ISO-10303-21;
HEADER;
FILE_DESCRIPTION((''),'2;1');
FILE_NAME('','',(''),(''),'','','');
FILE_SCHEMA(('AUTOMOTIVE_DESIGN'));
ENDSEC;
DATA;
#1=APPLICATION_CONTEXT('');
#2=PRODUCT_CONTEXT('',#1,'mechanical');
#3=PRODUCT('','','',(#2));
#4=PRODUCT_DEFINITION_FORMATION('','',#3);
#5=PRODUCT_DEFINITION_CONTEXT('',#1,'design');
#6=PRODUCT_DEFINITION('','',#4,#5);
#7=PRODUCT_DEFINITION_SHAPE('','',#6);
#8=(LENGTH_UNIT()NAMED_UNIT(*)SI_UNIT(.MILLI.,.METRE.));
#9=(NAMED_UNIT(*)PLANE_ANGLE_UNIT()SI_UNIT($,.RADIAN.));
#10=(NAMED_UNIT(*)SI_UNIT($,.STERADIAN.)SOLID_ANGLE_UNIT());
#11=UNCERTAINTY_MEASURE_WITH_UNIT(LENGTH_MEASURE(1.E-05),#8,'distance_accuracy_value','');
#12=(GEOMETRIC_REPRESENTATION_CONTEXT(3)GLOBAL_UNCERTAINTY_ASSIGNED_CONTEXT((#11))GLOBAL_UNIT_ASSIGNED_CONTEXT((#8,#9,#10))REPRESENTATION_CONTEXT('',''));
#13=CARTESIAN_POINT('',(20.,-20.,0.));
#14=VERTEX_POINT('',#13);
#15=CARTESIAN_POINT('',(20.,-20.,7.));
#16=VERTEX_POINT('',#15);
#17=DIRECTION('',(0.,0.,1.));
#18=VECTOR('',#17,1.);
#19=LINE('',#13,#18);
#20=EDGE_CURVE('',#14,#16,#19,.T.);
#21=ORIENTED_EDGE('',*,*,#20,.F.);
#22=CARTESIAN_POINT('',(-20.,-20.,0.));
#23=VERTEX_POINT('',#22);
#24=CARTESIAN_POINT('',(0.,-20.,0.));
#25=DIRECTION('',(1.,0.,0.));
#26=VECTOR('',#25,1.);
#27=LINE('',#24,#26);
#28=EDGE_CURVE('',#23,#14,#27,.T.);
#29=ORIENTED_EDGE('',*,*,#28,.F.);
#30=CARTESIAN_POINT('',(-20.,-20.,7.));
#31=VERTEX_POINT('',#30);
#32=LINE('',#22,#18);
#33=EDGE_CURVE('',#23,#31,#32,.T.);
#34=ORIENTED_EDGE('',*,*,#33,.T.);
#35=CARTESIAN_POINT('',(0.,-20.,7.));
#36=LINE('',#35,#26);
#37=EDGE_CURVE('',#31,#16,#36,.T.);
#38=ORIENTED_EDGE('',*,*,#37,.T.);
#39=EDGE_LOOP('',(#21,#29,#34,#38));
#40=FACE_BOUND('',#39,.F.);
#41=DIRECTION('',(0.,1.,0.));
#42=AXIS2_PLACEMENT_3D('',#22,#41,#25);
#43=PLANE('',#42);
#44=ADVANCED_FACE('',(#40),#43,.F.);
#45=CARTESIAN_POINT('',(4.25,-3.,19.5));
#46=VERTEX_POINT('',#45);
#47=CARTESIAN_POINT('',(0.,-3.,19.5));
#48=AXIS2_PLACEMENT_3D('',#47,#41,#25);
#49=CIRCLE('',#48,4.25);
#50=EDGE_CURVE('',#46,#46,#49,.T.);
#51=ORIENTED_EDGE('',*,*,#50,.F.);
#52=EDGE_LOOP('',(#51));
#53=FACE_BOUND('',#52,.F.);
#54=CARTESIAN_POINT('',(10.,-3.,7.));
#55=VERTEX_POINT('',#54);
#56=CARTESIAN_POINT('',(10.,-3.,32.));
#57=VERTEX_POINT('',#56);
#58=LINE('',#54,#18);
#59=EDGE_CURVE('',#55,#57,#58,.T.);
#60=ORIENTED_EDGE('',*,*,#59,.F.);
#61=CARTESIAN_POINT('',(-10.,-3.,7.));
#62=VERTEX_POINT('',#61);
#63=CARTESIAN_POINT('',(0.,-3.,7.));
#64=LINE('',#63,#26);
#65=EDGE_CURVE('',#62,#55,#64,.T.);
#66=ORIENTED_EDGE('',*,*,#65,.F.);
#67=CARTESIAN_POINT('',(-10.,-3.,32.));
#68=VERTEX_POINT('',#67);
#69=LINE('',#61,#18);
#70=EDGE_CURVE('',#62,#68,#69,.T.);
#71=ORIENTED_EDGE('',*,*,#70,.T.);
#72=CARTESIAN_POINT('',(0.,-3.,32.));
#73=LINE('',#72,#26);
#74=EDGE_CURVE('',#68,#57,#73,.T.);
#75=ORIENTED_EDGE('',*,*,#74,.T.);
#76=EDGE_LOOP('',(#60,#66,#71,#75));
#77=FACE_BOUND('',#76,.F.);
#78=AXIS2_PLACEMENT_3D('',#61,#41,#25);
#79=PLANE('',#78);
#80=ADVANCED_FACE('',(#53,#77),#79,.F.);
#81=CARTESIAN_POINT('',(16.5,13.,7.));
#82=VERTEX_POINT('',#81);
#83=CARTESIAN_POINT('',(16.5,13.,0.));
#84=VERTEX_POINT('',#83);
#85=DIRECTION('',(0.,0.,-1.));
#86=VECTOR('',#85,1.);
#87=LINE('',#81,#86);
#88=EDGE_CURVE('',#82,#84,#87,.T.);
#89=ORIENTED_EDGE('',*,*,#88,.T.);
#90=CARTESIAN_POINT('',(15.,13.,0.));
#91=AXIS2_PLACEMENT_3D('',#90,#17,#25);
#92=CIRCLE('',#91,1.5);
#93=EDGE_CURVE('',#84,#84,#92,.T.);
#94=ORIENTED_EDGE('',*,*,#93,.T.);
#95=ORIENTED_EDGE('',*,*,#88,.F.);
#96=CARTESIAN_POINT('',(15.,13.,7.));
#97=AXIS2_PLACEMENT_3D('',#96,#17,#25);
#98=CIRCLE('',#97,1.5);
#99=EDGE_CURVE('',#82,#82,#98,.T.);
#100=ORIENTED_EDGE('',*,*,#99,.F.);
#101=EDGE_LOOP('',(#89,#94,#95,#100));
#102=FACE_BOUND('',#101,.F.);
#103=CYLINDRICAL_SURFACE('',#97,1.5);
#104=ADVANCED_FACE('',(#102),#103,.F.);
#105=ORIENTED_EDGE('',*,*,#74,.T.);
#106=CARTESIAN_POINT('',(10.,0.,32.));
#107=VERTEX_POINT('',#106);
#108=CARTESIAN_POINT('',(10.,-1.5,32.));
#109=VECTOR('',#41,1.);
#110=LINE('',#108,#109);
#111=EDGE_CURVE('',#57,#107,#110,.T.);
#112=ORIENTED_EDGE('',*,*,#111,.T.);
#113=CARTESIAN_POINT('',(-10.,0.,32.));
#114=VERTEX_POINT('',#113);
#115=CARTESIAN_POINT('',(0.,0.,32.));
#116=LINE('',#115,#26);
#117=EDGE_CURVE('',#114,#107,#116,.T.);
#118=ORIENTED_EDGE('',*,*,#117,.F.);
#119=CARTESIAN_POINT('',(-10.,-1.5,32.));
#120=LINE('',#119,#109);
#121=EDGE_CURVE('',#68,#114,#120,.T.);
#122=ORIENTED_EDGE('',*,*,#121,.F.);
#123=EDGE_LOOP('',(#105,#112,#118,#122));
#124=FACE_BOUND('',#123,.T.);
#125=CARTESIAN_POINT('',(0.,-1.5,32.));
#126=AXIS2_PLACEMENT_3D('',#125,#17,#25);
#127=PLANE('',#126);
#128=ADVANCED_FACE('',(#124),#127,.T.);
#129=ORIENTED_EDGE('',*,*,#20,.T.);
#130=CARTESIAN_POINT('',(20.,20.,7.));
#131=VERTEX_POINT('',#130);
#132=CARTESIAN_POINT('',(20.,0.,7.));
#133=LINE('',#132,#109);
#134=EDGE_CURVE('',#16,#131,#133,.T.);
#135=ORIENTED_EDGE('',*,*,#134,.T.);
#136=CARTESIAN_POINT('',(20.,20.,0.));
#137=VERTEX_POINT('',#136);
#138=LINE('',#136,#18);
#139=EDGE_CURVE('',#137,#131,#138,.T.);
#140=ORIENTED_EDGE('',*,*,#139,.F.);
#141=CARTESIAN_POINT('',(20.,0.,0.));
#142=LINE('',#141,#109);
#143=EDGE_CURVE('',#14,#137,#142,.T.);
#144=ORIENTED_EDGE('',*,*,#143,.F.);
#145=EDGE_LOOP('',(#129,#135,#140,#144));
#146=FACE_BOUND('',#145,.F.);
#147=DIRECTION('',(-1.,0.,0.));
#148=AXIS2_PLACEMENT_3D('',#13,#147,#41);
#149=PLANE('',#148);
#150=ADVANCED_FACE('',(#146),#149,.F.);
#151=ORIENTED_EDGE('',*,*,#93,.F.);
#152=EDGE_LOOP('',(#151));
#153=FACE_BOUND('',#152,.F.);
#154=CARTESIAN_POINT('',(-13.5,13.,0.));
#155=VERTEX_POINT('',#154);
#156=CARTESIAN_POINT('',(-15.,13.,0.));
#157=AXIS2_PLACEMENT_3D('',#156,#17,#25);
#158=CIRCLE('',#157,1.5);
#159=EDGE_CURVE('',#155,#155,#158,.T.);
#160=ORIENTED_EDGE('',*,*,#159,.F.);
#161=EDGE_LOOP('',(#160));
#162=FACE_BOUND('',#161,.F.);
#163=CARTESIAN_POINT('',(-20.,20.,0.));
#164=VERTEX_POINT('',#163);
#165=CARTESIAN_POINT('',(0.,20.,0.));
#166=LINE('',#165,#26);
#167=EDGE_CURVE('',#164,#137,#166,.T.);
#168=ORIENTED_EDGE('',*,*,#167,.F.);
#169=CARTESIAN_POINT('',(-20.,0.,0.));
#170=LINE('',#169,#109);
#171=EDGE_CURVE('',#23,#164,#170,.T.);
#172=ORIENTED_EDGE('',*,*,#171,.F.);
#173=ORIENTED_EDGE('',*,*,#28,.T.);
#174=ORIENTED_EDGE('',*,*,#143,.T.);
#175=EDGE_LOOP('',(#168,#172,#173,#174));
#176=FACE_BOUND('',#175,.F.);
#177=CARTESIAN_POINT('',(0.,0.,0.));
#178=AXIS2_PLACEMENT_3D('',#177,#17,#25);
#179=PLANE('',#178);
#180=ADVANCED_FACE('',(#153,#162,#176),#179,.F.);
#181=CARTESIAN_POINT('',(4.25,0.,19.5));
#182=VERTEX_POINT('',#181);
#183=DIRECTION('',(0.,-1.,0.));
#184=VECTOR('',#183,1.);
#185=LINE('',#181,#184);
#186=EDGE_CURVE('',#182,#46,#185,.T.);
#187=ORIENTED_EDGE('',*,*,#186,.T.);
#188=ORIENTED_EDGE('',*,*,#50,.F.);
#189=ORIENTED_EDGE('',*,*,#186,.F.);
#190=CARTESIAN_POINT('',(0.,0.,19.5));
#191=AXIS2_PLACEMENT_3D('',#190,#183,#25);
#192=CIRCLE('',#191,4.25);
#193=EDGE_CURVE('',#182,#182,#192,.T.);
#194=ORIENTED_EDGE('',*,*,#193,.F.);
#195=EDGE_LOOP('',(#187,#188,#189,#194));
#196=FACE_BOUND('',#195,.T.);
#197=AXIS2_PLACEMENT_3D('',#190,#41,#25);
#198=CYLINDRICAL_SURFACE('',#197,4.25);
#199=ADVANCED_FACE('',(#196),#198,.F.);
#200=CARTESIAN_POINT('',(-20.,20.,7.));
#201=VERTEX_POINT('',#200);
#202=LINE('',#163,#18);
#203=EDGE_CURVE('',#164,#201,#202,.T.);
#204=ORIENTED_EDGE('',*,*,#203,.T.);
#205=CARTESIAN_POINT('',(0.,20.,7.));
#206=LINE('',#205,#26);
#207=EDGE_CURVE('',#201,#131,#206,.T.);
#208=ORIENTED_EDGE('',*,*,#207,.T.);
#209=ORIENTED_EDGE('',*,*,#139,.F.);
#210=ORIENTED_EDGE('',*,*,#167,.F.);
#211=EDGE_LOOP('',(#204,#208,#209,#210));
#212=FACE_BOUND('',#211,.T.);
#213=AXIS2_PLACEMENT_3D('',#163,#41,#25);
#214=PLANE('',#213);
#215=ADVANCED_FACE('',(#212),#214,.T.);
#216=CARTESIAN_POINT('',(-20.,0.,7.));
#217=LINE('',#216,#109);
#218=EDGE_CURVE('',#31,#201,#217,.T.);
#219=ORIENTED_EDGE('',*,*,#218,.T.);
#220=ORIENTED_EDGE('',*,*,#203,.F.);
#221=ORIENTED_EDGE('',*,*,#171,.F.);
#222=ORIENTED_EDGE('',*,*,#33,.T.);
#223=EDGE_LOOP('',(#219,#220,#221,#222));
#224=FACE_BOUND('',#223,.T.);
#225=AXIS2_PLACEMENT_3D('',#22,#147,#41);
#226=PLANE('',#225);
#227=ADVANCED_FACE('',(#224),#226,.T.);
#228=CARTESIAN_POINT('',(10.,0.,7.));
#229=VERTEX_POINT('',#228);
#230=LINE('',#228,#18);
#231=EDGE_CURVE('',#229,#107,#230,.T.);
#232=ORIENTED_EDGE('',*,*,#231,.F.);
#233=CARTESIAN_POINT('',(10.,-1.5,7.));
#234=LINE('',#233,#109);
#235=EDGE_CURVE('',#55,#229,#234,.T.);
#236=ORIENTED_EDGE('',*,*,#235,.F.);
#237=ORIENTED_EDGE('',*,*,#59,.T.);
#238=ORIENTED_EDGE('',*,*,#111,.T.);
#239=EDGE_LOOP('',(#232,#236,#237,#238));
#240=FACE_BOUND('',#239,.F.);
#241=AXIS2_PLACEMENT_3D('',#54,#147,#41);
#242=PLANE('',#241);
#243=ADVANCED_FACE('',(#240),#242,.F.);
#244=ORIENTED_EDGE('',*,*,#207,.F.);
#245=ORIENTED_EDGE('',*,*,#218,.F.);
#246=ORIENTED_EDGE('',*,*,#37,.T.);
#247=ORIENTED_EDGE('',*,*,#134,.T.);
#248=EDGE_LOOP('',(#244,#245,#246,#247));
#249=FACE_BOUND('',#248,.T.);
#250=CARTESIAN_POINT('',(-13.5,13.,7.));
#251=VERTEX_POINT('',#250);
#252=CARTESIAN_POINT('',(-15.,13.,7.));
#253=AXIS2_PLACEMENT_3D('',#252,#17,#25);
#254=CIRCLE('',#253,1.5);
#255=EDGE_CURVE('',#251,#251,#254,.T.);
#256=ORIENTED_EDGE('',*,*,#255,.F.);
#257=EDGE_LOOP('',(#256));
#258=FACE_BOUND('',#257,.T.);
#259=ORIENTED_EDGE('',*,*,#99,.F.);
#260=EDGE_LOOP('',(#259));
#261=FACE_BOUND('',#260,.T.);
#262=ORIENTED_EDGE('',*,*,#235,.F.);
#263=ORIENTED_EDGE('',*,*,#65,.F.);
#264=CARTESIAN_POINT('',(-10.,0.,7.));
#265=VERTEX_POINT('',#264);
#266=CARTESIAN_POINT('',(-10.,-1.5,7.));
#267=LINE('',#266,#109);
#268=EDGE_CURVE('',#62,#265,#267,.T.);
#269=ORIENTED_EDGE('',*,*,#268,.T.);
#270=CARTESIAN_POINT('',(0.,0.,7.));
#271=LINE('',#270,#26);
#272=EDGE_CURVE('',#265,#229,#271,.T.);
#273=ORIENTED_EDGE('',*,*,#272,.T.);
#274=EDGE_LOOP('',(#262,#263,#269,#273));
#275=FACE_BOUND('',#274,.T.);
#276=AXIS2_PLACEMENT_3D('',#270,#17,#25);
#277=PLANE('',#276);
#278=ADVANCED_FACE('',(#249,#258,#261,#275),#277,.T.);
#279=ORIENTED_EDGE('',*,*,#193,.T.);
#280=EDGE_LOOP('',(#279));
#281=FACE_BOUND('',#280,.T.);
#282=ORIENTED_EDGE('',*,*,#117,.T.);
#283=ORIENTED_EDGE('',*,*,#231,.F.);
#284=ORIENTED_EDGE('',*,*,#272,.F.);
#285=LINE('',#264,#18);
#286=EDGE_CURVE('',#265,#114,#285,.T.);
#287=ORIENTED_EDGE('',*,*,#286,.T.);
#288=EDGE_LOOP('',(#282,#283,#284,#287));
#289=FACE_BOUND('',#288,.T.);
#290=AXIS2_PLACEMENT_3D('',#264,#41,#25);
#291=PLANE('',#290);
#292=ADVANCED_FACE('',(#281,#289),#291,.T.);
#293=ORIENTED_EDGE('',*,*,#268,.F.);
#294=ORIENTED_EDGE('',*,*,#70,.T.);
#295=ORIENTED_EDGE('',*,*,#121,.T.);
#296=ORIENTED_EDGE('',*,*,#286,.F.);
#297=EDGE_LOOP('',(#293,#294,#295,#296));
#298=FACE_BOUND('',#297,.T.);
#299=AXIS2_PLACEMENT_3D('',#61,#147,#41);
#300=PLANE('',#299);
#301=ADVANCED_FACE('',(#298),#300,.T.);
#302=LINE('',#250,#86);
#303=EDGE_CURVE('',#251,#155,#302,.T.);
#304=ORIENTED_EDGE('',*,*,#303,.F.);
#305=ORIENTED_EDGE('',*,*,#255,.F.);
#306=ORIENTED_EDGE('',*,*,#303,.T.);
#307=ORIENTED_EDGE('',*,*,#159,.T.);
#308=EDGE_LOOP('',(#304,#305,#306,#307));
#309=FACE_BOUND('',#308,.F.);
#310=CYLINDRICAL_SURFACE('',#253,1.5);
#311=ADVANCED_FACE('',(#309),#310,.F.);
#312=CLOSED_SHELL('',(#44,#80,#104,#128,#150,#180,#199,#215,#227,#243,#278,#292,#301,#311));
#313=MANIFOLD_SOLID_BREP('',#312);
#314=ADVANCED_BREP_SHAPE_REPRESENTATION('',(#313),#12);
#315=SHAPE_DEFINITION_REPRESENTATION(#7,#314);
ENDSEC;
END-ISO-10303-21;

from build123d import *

# Parameters (mm, degrees)
F0_W     = 40
F0_H     = 40
F1_DEPTH = 7
F3_W     = 20
F3_H     = 3
F4_DEPTH = 25
F5_R     = 1.5
F6_DEPTH = 25
F7_R     = 4.25
F8_DEPTH = 25


with BuildPart() as f1:
    # F0 (on Top) → F1 (new body)
    with BuildSketch(Plane.XY):
        Rectangle(F0_W, F0_H)
    extrude(amount=F1_DEPTH)

    # F3 (on offset) → F4 (join)
    with BuildSketch(Plane.XY.offset(7)):
        with Locations((0, -1.5)):
            Rectangle(F3_W, F3_H)
    extrude(amount=F4_DEPTH)

    # F5 (on offset) → F6 (cut)
    with BuildSketch(Plane.XY.offset(7)):
        with Locations((-15, 13)):
            Circle(F5_R)
        with Locations((15, 13)):
            Circle(F5_R)
    extrude(amount=-F6_DEPTH, mode=Mode.SUBTRACT)

    # F7 (on Front) → F8 (cut)
    with BuildSketch(Plane.XZ):
        with Locations((0, 19.5)):
            Circle(F7_R)
    extrude(amount=F8_DEPTH, mode=Mode.SUBTRACT)


solid = f1.part
